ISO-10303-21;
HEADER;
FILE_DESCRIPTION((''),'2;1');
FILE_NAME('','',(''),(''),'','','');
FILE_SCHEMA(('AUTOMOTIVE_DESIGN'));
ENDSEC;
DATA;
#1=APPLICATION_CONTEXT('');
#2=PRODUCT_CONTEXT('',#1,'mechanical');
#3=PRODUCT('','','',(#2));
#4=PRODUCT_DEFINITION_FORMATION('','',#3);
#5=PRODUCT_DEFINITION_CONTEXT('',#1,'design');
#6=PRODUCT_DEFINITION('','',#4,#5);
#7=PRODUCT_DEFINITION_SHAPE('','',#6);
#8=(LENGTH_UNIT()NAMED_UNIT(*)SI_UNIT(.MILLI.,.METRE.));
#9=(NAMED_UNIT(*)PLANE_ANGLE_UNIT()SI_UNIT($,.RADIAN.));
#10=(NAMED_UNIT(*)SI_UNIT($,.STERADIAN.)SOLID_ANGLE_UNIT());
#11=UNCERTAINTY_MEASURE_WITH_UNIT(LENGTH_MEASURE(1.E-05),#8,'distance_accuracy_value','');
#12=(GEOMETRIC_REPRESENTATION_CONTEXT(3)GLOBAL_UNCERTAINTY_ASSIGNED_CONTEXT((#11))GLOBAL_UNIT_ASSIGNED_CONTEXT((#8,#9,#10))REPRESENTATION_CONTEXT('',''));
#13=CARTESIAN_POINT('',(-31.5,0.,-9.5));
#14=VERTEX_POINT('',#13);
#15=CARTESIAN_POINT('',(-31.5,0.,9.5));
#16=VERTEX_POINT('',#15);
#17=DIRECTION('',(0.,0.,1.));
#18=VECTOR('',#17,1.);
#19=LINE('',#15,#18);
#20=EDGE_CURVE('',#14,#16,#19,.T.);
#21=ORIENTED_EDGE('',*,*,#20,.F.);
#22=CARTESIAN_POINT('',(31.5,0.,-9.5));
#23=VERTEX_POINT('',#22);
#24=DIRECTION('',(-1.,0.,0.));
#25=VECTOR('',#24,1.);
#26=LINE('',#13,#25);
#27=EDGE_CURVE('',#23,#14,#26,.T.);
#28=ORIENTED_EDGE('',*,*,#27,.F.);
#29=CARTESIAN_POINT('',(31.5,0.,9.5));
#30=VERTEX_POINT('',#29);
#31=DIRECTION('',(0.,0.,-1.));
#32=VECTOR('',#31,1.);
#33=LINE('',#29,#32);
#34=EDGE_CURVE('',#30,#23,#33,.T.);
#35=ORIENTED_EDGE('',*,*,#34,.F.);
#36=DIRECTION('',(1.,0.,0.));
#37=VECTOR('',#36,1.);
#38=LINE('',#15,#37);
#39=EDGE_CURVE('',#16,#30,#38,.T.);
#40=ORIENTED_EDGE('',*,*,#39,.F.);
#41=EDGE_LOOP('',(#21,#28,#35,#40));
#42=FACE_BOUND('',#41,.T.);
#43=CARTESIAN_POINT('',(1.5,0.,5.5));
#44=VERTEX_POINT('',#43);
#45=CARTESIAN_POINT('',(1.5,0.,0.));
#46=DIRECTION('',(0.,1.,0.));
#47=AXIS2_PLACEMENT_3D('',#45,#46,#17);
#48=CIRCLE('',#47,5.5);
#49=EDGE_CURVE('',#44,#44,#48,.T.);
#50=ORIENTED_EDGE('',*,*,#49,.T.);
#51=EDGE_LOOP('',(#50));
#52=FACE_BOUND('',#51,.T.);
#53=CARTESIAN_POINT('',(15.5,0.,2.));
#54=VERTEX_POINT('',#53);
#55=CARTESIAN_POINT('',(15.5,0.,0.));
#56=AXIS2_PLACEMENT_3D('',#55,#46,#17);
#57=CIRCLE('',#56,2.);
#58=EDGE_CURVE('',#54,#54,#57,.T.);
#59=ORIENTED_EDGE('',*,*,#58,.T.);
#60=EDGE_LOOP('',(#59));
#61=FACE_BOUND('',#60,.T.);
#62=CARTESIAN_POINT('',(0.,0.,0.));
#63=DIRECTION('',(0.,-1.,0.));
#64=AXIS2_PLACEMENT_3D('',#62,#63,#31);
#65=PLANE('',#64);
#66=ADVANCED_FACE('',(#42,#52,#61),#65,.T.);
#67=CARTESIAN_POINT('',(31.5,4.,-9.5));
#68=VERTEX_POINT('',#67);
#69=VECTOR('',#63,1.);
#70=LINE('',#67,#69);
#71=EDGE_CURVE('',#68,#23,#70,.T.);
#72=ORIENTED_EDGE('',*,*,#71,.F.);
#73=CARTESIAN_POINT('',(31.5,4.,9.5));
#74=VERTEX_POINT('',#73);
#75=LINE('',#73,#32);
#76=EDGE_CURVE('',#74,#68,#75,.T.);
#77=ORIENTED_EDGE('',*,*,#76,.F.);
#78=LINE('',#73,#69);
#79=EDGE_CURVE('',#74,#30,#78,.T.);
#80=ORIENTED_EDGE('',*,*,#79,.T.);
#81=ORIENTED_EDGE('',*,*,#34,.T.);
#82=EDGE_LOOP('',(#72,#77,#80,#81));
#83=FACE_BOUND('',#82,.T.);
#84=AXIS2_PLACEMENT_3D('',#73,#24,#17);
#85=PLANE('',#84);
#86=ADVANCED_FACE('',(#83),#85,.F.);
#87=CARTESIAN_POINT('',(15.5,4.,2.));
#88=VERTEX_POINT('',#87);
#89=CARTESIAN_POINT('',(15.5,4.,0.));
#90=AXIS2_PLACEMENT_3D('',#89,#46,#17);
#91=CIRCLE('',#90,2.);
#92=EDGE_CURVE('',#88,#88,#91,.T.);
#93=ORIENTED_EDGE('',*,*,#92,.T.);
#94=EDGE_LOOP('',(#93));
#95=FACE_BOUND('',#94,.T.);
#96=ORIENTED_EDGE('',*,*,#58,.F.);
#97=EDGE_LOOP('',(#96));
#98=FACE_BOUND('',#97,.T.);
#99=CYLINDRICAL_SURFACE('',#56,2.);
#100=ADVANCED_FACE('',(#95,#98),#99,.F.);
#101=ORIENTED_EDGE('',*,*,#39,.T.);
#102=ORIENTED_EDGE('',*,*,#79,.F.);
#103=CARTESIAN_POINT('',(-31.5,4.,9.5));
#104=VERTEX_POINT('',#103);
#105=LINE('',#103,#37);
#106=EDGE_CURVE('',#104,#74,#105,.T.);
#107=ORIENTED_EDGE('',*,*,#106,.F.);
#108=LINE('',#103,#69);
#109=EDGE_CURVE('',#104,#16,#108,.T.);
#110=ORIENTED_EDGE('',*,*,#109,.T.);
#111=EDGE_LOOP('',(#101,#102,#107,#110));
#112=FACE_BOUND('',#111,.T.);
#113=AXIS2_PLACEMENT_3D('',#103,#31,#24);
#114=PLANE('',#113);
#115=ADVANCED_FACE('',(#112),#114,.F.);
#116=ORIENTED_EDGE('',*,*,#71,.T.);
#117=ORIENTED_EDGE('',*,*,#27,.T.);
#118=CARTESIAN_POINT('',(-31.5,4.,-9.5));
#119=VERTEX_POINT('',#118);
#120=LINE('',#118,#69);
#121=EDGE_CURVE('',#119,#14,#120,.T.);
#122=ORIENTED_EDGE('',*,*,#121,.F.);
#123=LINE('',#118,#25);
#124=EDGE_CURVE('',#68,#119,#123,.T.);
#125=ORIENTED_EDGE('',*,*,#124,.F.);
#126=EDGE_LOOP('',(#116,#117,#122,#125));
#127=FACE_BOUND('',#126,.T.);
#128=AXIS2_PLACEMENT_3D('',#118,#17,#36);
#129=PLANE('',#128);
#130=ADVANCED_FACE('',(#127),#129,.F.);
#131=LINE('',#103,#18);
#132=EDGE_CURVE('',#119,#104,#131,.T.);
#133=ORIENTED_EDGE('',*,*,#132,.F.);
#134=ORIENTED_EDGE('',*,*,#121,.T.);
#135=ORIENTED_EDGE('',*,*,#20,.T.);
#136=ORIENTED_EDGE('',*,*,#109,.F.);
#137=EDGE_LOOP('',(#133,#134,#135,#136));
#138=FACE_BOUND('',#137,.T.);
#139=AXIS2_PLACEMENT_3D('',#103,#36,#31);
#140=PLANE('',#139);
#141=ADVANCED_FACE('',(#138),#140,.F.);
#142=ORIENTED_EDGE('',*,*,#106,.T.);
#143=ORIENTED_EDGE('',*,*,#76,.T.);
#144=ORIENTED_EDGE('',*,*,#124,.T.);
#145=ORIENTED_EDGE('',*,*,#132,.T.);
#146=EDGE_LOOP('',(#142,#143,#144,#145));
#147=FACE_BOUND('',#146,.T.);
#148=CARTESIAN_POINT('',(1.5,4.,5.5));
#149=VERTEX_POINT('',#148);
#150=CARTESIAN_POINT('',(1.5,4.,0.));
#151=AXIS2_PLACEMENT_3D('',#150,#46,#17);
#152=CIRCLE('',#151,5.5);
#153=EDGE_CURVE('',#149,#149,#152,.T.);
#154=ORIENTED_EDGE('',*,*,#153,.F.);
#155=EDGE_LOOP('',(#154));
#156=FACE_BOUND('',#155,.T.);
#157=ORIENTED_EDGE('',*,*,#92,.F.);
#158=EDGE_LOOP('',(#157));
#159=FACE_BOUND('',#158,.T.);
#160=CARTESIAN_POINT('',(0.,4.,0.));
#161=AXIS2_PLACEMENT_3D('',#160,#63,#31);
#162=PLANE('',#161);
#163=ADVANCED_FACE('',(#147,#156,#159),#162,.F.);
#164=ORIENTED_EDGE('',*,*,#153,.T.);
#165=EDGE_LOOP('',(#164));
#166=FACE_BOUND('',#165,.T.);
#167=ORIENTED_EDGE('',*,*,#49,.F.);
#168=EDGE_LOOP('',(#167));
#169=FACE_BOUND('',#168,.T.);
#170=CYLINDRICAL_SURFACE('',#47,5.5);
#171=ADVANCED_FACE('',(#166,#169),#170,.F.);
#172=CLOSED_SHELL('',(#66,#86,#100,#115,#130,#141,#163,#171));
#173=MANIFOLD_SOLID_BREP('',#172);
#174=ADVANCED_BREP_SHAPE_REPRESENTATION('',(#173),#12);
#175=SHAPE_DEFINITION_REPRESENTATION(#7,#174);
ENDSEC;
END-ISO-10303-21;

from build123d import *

# Parameters (mm, degrees)
SKETCH1_W           = 63
SKETCH1_H           = 19
BOSS_EXTRUDE1_DEPTH = 4
SKETCH2_R           = 5.5
SKETCH2_R_2         = 2
CUT_EXTRUDE1_DEPTH  = 34.143626838


with BuildPart() as part:
    # Sketch1 → Boss-Extrude1 (new body)
    with BuildSketch(Plane(origin=(0, 0, 0), x_dir=(1, 0, 0), z_dir=(0, 1, 0))):
        Rectangle(SKETCH1_W, SKETCH1_H)
    extrude(amount=BOSS_EXTRUDE1_DEPTH)

    # Sketch2 → Cut-Extrude1 (cut, through all)
    with BuildSketch(Plane(origin=(0, 4, 0), x_dir=(1, 0, 0), z_dir=(0, 1, 0))):
        with Locations(Location((1.5, 0, 0), (0, 0, 270))):
            Circle(SKETCH2_R)
        with Locations(Location((15.5, 0, 0), (0, 0, 270))):
            Circle(SKETCH2_R_2)
    extrude(amount=-CUT_EXTRUDE1_DEPTH, mode=Mode.SUBTRACT)


solid = part.part
